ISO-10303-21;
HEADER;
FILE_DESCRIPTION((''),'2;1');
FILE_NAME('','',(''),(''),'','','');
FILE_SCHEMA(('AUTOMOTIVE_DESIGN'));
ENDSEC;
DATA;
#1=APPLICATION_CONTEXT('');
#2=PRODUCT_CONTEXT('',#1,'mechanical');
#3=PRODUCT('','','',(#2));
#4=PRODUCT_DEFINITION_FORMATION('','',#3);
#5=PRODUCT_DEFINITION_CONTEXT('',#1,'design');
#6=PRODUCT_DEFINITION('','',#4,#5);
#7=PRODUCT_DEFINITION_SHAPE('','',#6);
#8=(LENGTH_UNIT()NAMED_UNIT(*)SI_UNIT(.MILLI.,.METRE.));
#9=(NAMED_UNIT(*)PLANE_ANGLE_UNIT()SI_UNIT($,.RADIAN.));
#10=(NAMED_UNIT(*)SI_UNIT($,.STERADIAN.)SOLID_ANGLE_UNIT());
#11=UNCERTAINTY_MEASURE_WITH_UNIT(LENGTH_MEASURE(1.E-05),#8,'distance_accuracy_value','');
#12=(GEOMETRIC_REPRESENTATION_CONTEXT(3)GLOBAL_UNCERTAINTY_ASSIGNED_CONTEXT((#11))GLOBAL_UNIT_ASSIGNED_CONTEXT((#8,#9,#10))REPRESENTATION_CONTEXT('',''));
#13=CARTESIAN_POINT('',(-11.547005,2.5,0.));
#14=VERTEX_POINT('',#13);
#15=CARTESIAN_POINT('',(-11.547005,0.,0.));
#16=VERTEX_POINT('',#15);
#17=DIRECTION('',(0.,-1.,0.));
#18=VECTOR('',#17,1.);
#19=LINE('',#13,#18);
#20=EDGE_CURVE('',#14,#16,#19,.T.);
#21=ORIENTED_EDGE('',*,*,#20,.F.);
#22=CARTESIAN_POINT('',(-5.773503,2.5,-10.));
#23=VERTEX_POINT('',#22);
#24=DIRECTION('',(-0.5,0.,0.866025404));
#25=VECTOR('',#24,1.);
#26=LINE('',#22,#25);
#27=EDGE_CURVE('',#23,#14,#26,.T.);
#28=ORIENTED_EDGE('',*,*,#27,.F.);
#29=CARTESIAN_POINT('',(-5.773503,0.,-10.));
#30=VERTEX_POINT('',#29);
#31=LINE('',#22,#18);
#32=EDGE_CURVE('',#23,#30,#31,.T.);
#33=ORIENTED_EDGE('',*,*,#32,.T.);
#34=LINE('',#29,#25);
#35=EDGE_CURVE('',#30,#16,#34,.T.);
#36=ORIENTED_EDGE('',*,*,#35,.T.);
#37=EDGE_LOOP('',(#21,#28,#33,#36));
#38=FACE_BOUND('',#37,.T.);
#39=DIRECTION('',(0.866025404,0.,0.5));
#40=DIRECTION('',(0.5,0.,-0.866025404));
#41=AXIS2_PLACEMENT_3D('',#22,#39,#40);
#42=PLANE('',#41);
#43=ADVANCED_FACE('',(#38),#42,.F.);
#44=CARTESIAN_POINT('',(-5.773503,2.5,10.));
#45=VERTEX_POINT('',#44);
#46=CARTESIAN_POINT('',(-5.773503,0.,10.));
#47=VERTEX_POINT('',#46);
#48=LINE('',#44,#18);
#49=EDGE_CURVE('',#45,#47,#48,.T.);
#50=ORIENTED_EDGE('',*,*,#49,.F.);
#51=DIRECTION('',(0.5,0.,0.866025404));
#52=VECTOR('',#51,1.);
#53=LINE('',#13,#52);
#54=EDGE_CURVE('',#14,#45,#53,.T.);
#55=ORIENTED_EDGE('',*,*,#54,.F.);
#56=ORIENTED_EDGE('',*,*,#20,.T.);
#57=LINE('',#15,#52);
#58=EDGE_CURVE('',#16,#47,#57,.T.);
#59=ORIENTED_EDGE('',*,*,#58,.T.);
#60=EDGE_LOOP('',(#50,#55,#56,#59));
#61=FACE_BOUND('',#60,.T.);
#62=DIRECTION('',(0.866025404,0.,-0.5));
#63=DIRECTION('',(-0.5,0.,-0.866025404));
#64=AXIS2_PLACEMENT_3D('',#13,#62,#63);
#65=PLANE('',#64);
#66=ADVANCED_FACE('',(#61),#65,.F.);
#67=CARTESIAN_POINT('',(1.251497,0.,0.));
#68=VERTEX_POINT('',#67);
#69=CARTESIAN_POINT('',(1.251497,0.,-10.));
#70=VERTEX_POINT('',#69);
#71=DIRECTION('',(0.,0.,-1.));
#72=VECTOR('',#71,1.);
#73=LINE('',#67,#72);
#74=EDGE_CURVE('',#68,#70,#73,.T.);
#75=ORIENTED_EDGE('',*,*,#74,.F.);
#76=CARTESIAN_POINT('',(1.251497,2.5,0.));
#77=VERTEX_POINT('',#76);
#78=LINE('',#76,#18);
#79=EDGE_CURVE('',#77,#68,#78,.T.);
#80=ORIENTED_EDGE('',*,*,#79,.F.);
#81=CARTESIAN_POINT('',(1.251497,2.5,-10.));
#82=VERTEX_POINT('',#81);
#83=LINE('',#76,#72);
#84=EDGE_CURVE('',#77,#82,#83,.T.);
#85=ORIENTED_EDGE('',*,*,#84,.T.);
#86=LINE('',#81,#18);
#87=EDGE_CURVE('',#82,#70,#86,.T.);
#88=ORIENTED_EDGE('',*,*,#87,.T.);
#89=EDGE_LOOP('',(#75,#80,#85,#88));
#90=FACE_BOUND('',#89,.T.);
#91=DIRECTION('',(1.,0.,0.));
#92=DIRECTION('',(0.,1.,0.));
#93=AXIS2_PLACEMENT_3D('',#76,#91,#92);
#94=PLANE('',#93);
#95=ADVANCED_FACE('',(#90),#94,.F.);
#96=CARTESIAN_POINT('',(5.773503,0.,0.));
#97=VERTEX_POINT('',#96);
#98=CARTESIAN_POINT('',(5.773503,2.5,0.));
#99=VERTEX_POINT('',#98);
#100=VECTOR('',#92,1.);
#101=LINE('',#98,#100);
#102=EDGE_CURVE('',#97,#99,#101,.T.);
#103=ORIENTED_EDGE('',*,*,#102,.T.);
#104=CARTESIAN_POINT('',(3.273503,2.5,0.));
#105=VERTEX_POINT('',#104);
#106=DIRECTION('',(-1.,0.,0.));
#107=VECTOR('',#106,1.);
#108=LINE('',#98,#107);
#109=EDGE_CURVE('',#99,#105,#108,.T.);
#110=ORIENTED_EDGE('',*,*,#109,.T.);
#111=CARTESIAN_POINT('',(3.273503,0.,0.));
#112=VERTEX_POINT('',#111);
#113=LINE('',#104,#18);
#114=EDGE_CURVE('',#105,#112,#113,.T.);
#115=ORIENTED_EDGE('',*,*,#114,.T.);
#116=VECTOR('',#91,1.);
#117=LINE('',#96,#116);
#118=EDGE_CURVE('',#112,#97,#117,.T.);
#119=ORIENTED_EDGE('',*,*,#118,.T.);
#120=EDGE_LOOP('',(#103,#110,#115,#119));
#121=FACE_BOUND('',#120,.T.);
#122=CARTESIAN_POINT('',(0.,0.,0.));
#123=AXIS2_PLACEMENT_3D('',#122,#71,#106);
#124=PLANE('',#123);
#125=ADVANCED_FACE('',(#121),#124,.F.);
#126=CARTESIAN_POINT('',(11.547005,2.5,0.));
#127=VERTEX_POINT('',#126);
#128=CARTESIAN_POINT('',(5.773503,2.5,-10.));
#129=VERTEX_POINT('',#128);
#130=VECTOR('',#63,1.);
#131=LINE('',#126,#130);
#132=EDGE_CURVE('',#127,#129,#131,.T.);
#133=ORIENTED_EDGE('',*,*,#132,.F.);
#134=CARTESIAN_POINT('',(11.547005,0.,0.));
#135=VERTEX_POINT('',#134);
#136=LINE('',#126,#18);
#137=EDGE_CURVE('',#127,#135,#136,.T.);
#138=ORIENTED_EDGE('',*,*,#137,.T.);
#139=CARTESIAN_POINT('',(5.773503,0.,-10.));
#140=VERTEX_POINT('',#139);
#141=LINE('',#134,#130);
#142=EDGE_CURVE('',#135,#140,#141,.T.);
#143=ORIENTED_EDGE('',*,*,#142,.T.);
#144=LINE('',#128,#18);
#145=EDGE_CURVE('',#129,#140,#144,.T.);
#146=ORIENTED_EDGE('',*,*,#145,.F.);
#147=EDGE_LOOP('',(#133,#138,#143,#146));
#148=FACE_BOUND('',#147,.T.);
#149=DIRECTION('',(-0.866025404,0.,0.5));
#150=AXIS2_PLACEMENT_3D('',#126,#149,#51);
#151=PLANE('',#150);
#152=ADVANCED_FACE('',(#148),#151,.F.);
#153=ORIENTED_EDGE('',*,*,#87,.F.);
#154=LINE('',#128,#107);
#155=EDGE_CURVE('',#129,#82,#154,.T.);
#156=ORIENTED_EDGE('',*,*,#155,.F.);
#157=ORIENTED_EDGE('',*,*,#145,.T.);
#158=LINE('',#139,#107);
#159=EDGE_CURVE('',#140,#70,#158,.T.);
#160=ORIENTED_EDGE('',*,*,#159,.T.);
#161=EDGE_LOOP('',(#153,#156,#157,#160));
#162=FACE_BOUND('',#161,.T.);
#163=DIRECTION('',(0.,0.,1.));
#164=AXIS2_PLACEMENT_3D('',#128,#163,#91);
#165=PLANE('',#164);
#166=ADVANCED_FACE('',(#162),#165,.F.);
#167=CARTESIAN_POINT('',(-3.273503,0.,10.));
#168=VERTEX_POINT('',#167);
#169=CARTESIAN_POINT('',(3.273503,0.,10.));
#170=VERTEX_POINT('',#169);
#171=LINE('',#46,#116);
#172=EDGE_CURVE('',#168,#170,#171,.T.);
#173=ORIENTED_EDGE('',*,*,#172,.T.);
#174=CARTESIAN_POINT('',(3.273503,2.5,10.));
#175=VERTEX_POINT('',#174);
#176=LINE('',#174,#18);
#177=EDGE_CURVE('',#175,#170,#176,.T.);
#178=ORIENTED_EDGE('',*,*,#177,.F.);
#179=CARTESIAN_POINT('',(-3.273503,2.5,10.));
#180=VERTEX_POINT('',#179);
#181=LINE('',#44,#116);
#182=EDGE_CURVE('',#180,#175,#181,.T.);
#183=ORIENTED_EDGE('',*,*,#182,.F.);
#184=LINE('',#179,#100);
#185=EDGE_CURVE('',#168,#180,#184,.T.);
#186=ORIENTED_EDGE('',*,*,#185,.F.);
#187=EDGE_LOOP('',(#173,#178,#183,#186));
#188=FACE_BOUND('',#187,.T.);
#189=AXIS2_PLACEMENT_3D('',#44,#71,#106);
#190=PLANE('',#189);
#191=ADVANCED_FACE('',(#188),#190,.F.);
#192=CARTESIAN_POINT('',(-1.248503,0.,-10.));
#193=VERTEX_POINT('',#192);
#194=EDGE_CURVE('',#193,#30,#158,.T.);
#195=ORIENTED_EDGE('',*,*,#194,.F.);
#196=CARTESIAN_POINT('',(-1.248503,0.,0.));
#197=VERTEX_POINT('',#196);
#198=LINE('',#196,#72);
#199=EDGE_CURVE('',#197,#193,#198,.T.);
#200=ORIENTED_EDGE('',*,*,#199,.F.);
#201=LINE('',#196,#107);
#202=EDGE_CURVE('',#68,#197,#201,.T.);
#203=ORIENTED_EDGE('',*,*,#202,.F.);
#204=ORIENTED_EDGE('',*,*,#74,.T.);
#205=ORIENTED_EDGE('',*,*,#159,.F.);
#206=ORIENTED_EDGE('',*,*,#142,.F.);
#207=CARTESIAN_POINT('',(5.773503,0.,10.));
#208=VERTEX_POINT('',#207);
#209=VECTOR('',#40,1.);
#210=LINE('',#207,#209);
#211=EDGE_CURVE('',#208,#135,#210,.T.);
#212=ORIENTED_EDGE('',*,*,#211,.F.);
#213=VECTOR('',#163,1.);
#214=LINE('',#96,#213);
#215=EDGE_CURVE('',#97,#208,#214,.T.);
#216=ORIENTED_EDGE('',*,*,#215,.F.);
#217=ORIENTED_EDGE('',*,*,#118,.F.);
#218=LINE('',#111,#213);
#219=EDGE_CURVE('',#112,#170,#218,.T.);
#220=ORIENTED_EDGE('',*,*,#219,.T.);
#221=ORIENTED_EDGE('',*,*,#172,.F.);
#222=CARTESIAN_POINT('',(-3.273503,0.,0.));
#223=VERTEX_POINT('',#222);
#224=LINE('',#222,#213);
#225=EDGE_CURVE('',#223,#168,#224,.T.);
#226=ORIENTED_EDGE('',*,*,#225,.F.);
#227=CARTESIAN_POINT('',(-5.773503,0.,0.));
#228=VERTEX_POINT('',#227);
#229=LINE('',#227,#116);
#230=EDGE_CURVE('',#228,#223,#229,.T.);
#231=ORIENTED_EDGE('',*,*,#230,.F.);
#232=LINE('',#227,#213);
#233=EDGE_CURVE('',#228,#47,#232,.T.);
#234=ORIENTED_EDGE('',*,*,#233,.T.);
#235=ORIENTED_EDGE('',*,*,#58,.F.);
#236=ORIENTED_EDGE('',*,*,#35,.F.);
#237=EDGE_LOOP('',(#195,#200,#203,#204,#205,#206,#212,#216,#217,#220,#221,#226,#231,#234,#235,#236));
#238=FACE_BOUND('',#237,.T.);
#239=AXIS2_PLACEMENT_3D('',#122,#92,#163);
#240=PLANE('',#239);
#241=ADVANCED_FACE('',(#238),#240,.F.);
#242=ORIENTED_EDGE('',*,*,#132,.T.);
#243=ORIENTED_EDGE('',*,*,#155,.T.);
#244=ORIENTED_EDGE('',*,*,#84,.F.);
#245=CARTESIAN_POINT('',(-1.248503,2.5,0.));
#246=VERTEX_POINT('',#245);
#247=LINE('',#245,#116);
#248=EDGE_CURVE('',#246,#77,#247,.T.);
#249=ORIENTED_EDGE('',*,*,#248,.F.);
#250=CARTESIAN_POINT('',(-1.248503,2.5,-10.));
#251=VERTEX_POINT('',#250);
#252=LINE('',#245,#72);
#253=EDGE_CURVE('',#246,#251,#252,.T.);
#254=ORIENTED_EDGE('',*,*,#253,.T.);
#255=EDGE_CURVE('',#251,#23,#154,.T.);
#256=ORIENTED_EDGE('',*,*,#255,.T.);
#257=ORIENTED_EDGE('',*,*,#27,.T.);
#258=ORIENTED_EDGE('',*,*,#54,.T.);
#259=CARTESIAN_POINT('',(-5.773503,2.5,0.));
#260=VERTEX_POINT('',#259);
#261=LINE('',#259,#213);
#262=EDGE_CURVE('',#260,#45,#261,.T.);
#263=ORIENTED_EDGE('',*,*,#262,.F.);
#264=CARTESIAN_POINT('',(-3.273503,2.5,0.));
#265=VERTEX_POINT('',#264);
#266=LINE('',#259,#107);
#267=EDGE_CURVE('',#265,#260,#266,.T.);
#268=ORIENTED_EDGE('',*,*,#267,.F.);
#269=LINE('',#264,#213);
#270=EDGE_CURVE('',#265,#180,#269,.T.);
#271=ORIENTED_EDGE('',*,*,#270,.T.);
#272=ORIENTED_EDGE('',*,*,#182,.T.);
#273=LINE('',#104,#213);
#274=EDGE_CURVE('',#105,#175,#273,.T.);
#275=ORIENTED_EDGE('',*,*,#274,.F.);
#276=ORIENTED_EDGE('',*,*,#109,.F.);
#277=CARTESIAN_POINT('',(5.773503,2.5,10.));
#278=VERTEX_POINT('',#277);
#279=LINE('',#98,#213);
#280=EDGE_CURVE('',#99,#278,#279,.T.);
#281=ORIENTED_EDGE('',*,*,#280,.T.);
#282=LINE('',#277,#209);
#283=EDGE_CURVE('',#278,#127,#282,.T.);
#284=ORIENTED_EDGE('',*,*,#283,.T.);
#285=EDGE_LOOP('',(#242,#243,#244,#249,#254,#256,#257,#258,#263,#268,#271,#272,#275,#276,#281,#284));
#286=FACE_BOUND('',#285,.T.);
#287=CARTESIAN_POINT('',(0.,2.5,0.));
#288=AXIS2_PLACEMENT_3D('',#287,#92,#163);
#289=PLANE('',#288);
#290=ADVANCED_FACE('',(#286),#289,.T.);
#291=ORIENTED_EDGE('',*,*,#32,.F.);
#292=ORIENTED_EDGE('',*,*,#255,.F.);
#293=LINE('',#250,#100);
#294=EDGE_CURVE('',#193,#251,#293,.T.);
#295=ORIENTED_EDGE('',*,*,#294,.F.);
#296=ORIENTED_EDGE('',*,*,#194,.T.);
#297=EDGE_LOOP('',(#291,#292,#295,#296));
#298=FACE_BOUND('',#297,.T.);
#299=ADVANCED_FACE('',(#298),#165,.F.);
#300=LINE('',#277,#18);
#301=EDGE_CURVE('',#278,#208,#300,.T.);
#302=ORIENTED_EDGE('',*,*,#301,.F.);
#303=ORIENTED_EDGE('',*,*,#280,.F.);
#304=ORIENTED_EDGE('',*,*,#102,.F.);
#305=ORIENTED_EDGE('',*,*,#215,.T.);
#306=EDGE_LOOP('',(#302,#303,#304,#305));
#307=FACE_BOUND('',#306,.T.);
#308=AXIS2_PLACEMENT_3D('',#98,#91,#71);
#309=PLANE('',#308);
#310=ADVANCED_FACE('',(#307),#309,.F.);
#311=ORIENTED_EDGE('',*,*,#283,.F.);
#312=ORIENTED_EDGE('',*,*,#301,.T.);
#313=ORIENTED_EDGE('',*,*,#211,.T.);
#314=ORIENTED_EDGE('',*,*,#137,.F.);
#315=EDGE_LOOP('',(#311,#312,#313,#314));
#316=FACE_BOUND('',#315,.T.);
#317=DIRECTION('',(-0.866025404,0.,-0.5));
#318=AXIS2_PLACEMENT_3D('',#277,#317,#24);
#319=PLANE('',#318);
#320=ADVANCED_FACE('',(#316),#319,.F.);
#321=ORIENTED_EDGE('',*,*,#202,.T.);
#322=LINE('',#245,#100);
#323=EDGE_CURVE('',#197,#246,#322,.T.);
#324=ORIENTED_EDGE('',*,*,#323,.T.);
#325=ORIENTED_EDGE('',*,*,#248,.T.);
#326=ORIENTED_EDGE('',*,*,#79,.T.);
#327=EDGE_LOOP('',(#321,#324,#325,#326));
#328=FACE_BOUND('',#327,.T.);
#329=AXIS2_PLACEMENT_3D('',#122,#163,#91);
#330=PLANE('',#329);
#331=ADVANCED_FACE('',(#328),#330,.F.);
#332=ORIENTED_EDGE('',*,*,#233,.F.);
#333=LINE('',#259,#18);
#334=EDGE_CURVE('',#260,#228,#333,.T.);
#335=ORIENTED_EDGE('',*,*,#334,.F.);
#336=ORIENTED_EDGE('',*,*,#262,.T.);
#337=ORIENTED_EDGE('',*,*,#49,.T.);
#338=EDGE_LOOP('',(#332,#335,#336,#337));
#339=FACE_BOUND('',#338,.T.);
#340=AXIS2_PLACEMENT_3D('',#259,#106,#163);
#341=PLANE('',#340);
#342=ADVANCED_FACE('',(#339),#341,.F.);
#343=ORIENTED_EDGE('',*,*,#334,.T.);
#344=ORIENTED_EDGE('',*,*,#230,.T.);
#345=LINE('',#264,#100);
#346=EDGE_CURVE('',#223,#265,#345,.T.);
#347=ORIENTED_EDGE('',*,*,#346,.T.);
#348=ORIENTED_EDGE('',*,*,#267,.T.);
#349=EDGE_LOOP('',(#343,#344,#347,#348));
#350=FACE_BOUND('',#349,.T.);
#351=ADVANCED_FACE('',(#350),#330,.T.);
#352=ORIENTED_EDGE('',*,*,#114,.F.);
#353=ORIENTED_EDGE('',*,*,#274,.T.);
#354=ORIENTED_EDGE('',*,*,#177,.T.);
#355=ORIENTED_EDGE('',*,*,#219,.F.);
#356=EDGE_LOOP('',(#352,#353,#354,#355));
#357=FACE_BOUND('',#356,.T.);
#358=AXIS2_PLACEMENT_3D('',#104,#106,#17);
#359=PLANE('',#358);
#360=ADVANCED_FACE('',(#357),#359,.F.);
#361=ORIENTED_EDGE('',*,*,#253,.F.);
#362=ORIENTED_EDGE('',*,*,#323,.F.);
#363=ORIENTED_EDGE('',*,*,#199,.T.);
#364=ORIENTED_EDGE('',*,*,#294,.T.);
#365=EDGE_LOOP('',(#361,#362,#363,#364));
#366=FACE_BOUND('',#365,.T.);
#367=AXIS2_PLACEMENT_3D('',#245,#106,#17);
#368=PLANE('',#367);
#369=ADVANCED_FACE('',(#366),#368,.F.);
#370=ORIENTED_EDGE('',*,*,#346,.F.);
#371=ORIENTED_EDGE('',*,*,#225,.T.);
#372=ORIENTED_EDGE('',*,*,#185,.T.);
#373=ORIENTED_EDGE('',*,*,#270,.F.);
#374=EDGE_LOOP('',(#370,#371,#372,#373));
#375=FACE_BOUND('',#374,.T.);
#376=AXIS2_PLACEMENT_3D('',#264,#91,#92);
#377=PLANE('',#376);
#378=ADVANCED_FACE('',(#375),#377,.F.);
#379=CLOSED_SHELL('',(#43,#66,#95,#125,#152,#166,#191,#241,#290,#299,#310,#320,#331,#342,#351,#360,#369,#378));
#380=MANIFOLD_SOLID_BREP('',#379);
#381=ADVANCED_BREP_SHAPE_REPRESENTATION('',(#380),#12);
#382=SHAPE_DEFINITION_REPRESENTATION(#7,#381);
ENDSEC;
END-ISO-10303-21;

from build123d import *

# Parameters (mm, degrees)
BOSS_EXTRUDE1_DEPTH = 2.5
SKETCH5_W           = 2.5
SKETCH5_H           = 2.5
CUT_EXTRUDE3_DEPTH  = 10
SKETCH6_W           = 2.5
SKETCH6_H           = 2.5
CUT_EXTRUDE4_DEPTH  = 10
SKETCH7_W           = 2.5
SKETCH7_H           = 2.5
CUT_EXTRUDE5_DEPTH  = 10


with BuildPart() as part:
    # Sketch1 → Boss-Extrude1 (new body)
    with BuildSketch(Plane(origin=(0, 0, 0), x_dir=(1, 0, 0), z_dir=(0, 1, 0))):
        Polygon((11.547005384, 0), (5.773502692, 10), (-5.773502692, 10), (-11.547005384, 0), (-5.773502692, -10), (5.773502692, -10), align=None)
    extrude(amount=BOSS_EXTRUDE1_DEPTH)

    # Sketch5 → Cut-Extrude3 (cut)
    with BuildSketch(Plane.XY.offset(10)):
        with Locations((-4.523502692, 1.25)):
            Rectangle(SKETCH5_W, SKETCH5_H)
    extrude(amount=-CUT_EXTRUDE3_DEPTH, mode=Mode.SUBTRACT)

    # Sketch6 → Cut-Extrude4 (cut)
    with BuildSketch(Plane.XY.offset(10)):
        with Locations((4.523502692, 1.25)):
            Rectangle(SKETCH6_W, SKETCH6_H)
    extrude(amount=-CUT_EXTRUDE4_DEPTH, mode=Mode.SUBTRACT)

    # Sketch7 → Cut-Extrude5 (cut)
    with BuildSketch(Plane(origin=(0, 0, -10), x_dir=(-1, 0, 0), z_dir=(0, 0, -1))):
        with Locations((-0.001497308, 1.25)):
            Rectangle(SKETCH7_W, SKETCH7_H)
    extrude(amount=-CUT_EXTRUDE5_DEPTH, mode=Mode.SUBTRACT)


solid = part.part
